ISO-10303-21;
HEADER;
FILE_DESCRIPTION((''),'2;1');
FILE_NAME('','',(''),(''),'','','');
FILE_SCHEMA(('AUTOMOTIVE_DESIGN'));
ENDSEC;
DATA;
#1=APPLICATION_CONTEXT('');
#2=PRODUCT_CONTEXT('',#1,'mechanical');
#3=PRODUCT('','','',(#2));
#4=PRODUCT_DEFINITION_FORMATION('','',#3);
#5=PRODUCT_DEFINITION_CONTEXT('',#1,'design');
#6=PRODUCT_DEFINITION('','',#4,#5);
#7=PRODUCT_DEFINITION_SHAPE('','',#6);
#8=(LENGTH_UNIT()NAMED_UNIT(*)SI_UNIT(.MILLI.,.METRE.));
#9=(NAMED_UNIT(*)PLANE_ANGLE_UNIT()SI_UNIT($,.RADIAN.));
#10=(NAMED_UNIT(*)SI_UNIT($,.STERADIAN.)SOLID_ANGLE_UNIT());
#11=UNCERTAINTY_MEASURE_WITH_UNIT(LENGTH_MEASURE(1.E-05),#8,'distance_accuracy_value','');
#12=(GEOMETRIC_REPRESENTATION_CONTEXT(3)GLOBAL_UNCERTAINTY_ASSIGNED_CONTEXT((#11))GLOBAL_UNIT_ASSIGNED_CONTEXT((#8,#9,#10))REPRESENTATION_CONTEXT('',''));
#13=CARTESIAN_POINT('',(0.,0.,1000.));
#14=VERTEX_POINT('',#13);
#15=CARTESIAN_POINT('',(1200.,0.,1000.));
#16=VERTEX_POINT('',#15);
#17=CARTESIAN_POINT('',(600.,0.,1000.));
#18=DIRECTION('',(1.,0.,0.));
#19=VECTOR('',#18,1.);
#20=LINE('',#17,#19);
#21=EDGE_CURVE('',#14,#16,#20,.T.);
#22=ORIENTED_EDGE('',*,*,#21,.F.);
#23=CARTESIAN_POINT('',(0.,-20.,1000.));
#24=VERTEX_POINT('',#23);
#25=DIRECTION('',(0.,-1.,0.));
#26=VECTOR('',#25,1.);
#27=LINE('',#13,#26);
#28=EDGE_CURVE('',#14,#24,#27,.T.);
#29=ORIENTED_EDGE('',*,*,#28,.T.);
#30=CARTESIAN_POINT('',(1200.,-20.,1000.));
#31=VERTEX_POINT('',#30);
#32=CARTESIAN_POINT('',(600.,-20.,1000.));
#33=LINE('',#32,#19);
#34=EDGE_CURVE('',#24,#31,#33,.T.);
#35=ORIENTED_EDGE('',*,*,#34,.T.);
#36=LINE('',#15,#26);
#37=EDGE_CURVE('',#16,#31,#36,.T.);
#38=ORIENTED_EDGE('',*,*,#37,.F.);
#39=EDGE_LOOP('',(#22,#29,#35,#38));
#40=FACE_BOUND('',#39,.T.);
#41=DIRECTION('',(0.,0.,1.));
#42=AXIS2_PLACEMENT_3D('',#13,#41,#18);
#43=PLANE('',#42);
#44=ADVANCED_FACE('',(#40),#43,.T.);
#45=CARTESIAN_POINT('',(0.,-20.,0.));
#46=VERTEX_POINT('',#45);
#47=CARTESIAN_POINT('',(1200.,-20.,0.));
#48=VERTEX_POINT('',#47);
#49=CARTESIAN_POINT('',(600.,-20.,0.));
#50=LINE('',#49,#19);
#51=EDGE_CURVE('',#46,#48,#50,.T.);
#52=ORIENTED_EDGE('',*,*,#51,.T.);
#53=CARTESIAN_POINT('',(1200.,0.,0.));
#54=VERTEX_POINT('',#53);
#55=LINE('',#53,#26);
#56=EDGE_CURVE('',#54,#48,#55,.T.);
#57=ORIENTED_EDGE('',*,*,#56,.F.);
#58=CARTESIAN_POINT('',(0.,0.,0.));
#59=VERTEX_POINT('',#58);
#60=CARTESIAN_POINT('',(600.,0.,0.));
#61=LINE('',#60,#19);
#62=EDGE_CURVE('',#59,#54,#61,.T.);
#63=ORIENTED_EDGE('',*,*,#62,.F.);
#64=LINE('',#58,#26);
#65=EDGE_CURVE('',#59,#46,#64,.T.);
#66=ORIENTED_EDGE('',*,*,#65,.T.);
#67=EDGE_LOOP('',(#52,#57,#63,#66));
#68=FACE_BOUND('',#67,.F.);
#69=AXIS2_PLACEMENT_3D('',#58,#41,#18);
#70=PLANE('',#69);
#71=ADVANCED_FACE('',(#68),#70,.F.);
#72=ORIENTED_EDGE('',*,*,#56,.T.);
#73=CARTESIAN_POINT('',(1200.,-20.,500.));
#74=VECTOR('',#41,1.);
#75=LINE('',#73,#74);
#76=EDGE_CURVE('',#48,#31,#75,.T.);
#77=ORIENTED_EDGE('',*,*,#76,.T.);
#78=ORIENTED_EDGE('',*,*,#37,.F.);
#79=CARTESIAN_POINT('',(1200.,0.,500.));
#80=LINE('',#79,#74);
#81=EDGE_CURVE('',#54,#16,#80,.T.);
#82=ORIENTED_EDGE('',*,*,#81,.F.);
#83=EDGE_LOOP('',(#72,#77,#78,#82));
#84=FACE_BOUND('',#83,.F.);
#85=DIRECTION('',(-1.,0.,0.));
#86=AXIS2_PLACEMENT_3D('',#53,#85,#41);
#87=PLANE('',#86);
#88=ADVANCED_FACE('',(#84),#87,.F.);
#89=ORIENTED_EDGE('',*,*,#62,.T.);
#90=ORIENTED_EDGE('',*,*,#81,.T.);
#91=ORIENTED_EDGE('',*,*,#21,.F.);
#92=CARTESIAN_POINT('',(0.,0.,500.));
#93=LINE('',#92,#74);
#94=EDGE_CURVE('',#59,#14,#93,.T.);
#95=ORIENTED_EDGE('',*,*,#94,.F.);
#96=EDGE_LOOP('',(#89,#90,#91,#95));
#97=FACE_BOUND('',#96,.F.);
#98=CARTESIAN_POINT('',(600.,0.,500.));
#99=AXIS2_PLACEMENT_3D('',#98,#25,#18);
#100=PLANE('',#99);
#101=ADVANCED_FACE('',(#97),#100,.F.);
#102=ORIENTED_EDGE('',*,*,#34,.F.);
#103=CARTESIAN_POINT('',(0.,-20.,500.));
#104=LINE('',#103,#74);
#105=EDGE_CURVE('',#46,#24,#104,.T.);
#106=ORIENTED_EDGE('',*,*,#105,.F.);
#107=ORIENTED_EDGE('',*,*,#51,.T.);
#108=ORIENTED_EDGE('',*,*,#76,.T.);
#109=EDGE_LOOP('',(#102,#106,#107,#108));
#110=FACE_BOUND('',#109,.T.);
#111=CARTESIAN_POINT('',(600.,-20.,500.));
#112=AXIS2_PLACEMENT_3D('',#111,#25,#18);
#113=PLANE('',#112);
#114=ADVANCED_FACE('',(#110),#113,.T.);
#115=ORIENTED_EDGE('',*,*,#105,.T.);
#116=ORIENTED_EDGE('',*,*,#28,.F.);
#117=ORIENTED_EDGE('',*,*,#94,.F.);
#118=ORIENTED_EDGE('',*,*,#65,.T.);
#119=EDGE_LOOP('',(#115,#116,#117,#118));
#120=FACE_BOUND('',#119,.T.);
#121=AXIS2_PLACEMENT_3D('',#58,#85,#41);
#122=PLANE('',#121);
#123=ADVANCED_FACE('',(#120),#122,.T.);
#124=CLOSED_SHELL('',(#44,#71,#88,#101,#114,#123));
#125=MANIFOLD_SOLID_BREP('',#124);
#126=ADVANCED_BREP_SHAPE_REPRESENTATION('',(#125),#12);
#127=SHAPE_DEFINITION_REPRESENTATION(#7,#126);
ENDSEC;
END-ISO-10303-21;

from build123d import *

# Parameters (mm, degrees)
SKETCH_W      = 1200
SKETCH_H      = 1000
EXTRUDE_DEPTH = 20


with BuildPart() as part:
    # Sketch → Extrude (new body)
    with BuildSketch(Plane.XZ):
        with Locations((600, 500)):
            Rectangle(SKETCH_W, SKETCH_H)
    extrude(amount=EXTRUDE_DEPTH)


solid = part.part
